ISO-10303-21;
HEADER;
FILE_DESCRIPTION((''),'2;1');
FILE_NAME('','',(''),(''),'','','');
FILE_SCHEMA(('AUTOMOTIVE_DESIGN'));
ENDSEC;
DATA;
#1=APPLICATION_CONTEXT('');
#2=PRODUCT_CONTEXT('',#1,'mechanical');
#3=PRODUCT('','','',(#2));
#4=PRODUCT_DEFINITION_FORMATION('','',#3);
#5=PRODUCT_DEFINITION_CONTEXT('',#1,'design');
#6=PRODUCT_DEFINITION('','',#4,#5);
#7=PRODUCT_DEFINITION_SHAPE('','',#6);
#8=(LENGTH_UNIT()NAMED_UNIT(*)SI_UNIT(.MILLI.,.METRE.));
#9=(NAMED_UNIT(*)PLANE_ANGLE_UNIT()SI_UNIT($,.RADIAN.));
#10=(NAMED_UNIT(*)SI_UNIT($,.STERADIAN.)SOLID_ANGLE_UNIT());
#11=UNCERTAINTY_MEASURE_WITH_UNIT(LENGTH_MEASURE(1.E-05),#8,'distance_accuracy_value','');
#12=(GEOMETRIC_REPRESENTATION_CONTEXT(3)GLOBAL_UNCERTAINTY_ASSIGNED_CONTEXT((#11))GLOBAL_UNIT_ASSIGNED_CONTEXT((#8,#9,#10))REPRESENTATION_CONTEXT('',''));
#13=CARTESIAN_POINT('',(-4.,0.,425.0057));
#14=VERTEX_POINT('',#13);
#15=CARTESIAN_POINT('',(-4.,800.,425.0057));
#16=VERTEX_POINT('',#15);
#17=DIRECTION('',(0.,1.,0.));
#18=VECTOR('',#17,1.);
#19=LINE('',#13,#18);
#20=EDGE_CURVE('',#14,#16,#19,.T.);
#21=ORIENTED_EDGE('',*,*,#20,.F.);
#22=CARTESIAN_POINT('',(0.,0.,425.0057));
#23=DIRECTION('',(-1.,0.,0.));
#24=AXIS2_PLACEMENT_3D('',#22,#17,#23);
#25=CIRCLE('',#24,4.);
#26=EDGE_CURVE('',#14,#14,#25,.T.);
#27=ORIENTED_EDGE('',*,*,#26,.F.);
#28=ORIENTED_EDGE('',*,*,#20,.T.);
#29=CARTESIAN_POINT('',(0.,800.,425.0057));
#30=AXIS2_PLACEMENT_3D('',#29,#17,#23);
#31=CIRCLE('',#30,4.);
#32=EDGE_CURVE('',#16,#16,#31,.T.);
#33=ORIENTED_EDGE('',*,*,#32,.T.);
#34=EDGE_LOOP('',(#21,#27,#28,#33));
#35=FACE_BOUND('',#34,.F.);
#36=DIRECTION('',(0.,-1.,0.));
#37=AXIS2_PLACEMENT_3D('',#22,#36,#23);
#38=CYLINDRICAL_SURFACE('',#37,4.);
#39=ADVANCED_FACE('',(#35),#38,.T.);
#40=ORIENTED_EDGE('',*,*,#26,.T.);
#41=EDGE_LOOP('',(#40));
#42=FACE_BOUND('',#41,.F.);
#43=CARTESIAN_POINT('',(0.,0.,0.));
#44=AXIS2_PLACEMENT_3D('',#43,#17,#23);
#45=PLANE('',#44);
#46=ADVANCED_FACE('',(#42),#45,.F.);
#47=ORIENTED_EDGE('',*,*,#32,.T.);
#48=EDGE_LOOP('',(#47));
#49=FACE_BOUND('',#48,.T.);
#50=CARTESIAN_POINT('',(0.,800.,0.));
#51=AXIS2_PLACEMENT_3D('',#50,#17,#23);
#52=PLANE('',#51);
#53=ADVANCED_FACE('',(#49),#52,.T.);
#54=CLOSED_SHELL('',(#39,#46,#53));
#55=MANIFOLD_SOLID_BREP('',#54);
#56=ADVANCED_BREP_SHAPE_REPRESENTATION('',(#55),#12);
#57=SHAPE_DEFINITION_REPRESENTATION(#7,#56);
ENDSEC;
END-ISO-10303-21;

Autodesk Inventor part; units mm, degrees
ref_plane "YZ Plane" through (0, 0, 0) normal (1, 0, 0) x (0, 1, 0)
ref_plane "XZ Plane" through (0, 0, 0) normal (0, 1, 0) x (-1, 0, 0)
ref_plane "XY Plane" through (0, 0, 0) normal (0, 0, 1) x (1, 0, 0)
sketch "Sketch1" plane through (0, 0, 0) normal (0, 1, 0) x (-1, 0, 0)
  point P0 (0, 0)
sketch "Sketch2" plane through (0, 0, 0) normal (0, 1, 0) x (-1, 0, 0)
  circle A0 centre (0, 425.0057) radius 4
  point P0 (0, 0)
  dimension "d0" = 8
extrude "Extrusion1" add sketch "Sketch2" along normal blind 800
thread "Thread1" size "M8x1.25" class "6g" standard "ANSI Metric M Profile" full length
properties part number "Lead Screw-A_CPY"
